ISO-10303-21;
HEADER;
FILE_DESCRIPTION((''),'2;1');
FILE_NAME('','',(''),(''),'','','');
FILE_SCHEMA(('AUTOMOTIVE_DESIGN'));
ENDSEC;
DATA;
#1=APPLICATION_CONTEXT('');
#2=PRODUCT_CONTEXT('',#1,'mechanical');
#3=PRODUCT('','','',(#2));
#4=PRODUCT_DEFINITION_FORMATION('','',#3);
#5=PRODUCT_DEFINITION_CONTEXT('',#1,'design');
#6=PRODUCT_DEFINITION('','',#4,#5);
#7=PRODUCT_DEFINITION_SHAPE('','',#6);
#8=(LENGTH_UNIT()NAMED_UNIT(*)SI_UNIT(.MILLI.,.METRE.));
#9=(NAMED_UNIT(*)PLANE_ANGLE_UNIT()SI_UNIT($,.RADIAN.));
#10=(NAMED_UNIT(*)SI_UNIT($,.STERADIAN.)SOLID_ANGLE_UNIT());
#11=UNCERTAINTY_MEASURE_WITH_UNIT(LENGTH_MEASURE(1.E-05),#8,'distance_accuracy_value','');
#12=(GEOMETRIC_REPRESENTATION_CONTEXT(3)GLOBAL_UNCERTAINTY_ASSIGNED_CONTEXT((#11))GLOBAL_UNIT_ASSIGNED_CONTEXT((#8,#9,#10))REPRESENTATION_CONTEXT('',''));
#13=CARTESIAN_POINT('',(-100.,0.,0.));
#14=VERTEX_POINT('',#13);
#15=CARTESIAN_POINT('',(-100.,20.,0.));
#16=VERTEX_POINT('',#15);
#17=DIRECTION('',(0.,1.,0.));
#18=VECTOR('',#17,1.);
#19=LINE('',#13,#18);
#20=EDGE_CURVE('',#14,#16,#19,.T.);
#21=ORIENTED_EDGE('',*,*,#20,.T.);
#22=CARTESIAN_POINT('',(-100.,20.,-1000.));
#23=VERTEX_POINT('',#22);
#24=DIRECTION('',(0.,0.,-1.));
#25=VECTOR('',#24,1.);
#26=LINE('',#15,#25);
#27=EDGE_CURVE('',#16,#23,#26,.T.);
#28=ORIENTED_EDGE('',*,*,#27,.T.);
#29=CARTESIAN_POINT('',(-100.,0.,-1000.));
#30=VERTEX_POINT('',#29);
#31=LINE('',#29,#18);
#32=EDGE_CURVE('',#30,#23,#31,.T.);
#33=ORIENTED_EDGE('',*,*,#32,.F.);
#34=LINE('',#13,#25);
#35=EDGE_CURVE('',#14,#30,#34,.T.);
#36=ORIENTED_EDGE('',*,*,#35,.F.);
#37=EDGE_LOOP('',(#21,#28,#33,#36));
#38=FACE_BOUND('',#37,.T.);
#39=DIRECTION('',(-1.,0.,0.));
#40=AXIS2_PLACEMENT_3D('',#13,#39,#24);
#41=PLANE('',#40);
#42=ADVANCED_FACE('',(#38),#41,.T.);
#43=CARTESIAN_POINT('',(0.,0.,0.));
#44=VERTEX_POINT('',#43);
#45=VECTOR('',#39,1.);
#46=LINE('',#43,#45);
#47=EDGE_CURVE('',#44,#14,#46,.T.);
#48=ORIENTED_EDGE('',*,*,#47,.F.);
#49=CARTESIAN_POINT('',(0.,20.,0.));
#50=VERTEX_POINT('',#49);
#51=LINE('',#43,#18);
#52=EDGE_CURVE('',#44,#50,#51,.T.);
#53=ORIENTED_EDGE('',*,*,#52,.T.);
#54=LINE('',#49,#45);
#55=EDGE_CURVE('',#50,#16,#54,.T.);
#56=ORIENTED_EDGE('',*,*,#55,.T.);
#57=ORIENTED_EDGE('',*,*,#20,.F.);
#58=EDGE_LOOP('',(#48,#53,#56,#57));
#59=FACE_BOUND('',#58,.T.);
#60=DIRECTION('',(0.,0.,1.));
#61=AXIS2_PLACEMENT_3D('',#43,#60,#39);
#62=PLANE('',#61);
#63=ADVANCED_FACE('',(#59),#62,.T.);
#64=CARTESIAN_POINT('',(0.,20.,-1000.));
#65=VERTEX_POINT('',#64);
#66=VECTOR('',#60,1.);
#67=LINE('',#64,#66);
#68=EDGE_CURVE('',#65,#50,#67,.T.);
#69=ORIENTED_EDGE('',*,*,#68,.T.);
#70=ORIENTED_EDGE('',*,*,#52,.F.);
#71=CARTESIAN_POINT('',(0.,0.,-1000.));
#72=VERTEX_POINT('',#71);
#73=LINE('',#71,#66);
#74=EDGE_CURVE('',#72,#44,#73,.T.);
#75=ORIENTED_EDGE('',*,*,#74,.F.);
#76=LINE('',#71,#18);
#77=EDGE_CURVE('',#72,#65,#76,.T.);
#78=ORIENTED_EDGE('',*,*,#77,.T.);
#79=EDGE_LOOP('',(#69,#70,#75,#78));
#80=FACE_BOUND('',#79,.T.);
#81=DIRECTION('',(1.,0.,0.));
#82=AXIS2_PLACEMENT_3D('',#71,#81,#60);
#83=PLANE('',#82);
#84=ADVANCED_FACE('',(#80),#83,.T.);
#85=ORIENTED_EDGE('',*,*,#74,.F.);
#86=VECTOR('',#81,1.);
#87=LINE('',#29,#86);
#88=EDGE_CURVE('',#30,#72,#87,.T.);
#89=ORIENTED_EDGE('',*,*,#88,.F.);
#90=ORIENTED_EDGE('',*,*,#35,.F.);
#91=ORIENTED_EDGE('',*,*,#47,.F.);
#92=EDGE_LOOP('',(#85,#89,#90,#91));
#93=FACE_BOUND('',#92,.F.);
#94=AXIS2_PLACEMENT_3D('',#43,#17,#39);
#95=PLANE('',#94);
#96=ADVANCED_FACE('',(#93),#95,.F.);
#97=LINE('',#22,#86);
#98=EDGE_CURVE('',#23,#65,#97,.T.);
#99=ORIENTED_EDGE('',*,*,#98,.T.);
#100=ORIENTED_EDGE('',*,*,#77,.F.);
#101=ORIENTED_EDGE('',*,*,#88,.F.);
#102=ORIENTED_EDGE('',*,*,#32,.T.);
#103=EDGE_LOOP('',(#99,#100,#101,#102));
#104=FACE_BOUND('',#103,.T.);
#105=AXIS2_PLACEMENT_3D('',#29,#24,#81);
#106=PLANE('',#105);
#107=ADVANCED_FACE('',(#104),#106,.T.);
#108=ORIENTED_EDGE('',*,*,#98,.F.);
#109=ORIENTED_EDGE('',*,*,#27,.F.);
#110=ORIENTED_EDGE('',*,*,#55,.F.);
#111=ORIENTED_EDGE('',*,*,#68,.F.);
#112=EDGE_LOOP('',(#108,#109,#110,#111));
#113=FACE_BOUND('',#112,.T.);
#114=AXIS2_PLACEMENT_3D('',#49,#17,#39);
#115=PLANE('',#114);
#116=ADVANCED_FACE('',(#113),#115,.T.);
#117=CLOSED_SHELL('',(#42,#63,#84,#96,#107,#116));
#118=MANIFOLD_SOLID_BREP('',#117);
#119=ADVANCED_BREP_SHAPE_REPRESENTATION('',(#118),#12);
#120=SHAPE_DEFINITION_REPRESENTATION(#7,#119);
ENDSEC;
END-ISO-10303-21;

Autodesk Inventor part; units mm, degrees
ref_plane "YZ Plane" through (0, 0, 0) normal (1, 0, 0) x (0, 1, 0)
ref_plane "XZ Plane" through (0, 0, 0) normal (0, 1, 0) x (-1, 0, 0)
ref_plane "XY Plane" through (0, 0, 0) normal (0, 0, 1) x (1, 0, 0)
sketch "Sketch1" plane through (0, 0, 0) normal (0, 1, 0) x (-1, 0, 0)
  line L0 (0, 0) -> (100, 0)
  line L1 (100, 0) -> (100, -1000)
  line L2 (100, -1000) -> (0, -1000)
  line L3 (0, -1000) -> (0, 0)
  dimension "d0" = 1000
  dimension "d1" = 100
extrude "Extrusion1" add sketch "Sketch1" along normal blind 20
properties part number "carrier plank"
